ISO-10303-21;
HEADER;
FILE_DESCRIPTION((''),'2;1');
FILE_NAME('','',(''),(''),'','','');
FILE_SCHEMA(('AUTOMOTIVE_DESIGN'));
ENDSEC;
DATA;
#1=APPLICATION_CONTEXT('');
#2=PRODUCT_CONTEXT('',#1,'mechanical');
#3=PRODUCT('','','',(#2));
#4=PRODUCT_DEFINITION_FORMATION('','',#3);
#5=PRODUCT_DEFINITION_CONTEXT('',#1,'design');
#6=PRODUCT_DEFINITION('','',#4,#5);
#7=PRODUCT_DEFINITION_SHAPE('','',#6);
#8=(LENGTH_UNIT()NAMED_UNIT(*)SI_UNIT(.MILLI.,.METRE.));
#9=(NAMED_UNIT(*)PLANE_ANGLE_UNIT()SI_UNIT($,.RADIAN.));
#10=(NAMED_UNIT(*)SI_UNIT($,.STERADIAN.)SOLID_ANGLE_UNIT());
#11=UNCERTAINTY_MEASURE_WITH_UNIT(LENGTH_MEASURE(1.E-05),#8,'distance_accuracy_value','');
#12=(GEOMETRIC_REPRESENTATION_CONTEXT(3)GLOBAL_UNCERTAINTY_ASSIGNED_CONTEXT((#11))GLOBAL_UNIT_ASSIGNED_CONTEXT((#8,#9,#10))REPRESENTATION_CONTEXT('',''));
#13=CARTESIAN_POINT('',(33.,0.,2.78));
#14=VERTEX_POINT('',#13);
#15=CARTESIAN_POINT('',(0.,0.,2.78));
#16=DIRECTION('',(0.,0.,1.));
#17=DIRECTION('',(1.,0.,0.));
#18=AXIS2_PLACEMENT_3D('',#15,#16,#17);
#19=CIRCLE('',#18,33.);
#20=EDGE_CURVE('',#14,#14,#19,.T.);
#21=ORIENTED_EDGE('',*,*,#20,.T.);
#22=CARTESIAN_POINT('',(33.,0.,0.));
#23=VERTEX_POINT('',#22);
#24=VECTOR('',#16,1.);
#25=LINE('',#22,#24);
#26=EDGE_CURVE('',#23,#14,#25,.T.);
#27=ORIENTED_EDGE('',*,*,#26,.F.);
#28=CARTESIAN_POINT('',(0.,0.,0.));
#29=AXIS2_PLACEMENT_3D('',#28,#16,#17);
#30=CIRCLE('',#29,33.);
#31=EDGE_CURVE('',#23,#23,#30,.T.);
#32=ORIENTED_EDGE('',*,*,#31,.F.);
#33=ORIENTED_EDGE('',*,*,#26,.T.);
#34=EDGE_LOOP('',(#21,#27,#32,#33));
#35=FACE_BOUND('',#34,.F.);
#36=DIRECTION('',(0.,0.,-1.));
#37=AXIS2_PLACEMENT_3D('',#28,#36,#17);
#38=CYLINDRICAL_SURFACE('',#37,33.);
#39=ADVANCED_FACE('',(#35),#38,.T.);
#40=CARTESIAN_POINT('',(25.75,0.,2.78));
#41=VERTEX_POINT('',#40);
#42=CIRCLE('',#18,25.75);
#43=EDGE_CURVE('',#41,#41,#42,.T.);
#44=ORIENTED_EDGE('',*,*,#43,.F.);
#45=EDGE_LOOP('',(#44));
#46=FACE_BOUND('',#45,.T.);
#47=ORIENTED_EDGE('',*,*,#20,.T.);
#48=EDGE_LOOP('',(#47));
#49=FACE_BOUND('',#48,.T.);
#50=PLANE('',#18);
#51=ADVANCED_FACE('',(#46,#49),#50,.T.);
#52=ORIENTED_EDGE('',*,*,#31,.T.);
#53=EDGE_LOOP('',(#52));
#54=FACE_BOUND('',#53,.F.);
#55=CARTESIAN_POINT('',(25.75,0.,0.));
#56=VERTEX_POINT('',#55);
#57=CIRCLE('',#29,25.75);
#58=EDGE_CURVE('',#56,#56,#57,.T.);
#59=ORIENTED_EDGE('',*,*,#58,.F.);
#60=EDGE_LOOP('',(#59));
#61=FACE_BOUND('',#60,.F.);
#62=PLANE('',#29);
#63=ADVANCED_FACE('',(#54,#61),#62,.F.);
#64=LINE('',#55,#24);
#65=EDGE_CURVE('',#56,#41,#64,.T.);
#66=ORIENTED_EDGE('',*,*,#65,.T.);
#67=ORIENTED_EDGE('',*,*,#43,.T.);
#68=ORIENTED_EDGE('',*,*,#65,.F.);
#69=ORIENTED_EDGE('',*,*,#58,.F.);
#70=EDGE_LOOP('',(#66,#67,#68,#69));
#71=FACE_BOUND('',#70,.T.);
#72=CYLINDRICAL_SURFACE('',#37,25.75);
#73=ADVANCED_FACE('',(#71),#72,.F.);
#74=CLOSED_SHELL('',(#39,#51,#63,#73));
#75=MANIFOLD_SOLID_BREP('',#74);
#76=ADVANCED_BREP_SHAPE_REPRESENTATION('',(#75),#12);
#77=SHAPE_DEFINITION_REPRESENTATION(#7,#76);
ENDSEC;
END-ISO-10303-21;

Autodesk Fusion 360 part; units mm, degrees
sketch "Sketch1" plane through (0, 0, 0) normal (0, 0, 1) x (1, 0, 0)
  circle A0 centre (0, 0) radius 25.75
  circle A1 centre (0, 0) radius 33
  dimension "d1" = 51.5
  dimension "d2" = 66
extrude "Extrude1" add sketch "Sketch1" along normal blind 2.78
